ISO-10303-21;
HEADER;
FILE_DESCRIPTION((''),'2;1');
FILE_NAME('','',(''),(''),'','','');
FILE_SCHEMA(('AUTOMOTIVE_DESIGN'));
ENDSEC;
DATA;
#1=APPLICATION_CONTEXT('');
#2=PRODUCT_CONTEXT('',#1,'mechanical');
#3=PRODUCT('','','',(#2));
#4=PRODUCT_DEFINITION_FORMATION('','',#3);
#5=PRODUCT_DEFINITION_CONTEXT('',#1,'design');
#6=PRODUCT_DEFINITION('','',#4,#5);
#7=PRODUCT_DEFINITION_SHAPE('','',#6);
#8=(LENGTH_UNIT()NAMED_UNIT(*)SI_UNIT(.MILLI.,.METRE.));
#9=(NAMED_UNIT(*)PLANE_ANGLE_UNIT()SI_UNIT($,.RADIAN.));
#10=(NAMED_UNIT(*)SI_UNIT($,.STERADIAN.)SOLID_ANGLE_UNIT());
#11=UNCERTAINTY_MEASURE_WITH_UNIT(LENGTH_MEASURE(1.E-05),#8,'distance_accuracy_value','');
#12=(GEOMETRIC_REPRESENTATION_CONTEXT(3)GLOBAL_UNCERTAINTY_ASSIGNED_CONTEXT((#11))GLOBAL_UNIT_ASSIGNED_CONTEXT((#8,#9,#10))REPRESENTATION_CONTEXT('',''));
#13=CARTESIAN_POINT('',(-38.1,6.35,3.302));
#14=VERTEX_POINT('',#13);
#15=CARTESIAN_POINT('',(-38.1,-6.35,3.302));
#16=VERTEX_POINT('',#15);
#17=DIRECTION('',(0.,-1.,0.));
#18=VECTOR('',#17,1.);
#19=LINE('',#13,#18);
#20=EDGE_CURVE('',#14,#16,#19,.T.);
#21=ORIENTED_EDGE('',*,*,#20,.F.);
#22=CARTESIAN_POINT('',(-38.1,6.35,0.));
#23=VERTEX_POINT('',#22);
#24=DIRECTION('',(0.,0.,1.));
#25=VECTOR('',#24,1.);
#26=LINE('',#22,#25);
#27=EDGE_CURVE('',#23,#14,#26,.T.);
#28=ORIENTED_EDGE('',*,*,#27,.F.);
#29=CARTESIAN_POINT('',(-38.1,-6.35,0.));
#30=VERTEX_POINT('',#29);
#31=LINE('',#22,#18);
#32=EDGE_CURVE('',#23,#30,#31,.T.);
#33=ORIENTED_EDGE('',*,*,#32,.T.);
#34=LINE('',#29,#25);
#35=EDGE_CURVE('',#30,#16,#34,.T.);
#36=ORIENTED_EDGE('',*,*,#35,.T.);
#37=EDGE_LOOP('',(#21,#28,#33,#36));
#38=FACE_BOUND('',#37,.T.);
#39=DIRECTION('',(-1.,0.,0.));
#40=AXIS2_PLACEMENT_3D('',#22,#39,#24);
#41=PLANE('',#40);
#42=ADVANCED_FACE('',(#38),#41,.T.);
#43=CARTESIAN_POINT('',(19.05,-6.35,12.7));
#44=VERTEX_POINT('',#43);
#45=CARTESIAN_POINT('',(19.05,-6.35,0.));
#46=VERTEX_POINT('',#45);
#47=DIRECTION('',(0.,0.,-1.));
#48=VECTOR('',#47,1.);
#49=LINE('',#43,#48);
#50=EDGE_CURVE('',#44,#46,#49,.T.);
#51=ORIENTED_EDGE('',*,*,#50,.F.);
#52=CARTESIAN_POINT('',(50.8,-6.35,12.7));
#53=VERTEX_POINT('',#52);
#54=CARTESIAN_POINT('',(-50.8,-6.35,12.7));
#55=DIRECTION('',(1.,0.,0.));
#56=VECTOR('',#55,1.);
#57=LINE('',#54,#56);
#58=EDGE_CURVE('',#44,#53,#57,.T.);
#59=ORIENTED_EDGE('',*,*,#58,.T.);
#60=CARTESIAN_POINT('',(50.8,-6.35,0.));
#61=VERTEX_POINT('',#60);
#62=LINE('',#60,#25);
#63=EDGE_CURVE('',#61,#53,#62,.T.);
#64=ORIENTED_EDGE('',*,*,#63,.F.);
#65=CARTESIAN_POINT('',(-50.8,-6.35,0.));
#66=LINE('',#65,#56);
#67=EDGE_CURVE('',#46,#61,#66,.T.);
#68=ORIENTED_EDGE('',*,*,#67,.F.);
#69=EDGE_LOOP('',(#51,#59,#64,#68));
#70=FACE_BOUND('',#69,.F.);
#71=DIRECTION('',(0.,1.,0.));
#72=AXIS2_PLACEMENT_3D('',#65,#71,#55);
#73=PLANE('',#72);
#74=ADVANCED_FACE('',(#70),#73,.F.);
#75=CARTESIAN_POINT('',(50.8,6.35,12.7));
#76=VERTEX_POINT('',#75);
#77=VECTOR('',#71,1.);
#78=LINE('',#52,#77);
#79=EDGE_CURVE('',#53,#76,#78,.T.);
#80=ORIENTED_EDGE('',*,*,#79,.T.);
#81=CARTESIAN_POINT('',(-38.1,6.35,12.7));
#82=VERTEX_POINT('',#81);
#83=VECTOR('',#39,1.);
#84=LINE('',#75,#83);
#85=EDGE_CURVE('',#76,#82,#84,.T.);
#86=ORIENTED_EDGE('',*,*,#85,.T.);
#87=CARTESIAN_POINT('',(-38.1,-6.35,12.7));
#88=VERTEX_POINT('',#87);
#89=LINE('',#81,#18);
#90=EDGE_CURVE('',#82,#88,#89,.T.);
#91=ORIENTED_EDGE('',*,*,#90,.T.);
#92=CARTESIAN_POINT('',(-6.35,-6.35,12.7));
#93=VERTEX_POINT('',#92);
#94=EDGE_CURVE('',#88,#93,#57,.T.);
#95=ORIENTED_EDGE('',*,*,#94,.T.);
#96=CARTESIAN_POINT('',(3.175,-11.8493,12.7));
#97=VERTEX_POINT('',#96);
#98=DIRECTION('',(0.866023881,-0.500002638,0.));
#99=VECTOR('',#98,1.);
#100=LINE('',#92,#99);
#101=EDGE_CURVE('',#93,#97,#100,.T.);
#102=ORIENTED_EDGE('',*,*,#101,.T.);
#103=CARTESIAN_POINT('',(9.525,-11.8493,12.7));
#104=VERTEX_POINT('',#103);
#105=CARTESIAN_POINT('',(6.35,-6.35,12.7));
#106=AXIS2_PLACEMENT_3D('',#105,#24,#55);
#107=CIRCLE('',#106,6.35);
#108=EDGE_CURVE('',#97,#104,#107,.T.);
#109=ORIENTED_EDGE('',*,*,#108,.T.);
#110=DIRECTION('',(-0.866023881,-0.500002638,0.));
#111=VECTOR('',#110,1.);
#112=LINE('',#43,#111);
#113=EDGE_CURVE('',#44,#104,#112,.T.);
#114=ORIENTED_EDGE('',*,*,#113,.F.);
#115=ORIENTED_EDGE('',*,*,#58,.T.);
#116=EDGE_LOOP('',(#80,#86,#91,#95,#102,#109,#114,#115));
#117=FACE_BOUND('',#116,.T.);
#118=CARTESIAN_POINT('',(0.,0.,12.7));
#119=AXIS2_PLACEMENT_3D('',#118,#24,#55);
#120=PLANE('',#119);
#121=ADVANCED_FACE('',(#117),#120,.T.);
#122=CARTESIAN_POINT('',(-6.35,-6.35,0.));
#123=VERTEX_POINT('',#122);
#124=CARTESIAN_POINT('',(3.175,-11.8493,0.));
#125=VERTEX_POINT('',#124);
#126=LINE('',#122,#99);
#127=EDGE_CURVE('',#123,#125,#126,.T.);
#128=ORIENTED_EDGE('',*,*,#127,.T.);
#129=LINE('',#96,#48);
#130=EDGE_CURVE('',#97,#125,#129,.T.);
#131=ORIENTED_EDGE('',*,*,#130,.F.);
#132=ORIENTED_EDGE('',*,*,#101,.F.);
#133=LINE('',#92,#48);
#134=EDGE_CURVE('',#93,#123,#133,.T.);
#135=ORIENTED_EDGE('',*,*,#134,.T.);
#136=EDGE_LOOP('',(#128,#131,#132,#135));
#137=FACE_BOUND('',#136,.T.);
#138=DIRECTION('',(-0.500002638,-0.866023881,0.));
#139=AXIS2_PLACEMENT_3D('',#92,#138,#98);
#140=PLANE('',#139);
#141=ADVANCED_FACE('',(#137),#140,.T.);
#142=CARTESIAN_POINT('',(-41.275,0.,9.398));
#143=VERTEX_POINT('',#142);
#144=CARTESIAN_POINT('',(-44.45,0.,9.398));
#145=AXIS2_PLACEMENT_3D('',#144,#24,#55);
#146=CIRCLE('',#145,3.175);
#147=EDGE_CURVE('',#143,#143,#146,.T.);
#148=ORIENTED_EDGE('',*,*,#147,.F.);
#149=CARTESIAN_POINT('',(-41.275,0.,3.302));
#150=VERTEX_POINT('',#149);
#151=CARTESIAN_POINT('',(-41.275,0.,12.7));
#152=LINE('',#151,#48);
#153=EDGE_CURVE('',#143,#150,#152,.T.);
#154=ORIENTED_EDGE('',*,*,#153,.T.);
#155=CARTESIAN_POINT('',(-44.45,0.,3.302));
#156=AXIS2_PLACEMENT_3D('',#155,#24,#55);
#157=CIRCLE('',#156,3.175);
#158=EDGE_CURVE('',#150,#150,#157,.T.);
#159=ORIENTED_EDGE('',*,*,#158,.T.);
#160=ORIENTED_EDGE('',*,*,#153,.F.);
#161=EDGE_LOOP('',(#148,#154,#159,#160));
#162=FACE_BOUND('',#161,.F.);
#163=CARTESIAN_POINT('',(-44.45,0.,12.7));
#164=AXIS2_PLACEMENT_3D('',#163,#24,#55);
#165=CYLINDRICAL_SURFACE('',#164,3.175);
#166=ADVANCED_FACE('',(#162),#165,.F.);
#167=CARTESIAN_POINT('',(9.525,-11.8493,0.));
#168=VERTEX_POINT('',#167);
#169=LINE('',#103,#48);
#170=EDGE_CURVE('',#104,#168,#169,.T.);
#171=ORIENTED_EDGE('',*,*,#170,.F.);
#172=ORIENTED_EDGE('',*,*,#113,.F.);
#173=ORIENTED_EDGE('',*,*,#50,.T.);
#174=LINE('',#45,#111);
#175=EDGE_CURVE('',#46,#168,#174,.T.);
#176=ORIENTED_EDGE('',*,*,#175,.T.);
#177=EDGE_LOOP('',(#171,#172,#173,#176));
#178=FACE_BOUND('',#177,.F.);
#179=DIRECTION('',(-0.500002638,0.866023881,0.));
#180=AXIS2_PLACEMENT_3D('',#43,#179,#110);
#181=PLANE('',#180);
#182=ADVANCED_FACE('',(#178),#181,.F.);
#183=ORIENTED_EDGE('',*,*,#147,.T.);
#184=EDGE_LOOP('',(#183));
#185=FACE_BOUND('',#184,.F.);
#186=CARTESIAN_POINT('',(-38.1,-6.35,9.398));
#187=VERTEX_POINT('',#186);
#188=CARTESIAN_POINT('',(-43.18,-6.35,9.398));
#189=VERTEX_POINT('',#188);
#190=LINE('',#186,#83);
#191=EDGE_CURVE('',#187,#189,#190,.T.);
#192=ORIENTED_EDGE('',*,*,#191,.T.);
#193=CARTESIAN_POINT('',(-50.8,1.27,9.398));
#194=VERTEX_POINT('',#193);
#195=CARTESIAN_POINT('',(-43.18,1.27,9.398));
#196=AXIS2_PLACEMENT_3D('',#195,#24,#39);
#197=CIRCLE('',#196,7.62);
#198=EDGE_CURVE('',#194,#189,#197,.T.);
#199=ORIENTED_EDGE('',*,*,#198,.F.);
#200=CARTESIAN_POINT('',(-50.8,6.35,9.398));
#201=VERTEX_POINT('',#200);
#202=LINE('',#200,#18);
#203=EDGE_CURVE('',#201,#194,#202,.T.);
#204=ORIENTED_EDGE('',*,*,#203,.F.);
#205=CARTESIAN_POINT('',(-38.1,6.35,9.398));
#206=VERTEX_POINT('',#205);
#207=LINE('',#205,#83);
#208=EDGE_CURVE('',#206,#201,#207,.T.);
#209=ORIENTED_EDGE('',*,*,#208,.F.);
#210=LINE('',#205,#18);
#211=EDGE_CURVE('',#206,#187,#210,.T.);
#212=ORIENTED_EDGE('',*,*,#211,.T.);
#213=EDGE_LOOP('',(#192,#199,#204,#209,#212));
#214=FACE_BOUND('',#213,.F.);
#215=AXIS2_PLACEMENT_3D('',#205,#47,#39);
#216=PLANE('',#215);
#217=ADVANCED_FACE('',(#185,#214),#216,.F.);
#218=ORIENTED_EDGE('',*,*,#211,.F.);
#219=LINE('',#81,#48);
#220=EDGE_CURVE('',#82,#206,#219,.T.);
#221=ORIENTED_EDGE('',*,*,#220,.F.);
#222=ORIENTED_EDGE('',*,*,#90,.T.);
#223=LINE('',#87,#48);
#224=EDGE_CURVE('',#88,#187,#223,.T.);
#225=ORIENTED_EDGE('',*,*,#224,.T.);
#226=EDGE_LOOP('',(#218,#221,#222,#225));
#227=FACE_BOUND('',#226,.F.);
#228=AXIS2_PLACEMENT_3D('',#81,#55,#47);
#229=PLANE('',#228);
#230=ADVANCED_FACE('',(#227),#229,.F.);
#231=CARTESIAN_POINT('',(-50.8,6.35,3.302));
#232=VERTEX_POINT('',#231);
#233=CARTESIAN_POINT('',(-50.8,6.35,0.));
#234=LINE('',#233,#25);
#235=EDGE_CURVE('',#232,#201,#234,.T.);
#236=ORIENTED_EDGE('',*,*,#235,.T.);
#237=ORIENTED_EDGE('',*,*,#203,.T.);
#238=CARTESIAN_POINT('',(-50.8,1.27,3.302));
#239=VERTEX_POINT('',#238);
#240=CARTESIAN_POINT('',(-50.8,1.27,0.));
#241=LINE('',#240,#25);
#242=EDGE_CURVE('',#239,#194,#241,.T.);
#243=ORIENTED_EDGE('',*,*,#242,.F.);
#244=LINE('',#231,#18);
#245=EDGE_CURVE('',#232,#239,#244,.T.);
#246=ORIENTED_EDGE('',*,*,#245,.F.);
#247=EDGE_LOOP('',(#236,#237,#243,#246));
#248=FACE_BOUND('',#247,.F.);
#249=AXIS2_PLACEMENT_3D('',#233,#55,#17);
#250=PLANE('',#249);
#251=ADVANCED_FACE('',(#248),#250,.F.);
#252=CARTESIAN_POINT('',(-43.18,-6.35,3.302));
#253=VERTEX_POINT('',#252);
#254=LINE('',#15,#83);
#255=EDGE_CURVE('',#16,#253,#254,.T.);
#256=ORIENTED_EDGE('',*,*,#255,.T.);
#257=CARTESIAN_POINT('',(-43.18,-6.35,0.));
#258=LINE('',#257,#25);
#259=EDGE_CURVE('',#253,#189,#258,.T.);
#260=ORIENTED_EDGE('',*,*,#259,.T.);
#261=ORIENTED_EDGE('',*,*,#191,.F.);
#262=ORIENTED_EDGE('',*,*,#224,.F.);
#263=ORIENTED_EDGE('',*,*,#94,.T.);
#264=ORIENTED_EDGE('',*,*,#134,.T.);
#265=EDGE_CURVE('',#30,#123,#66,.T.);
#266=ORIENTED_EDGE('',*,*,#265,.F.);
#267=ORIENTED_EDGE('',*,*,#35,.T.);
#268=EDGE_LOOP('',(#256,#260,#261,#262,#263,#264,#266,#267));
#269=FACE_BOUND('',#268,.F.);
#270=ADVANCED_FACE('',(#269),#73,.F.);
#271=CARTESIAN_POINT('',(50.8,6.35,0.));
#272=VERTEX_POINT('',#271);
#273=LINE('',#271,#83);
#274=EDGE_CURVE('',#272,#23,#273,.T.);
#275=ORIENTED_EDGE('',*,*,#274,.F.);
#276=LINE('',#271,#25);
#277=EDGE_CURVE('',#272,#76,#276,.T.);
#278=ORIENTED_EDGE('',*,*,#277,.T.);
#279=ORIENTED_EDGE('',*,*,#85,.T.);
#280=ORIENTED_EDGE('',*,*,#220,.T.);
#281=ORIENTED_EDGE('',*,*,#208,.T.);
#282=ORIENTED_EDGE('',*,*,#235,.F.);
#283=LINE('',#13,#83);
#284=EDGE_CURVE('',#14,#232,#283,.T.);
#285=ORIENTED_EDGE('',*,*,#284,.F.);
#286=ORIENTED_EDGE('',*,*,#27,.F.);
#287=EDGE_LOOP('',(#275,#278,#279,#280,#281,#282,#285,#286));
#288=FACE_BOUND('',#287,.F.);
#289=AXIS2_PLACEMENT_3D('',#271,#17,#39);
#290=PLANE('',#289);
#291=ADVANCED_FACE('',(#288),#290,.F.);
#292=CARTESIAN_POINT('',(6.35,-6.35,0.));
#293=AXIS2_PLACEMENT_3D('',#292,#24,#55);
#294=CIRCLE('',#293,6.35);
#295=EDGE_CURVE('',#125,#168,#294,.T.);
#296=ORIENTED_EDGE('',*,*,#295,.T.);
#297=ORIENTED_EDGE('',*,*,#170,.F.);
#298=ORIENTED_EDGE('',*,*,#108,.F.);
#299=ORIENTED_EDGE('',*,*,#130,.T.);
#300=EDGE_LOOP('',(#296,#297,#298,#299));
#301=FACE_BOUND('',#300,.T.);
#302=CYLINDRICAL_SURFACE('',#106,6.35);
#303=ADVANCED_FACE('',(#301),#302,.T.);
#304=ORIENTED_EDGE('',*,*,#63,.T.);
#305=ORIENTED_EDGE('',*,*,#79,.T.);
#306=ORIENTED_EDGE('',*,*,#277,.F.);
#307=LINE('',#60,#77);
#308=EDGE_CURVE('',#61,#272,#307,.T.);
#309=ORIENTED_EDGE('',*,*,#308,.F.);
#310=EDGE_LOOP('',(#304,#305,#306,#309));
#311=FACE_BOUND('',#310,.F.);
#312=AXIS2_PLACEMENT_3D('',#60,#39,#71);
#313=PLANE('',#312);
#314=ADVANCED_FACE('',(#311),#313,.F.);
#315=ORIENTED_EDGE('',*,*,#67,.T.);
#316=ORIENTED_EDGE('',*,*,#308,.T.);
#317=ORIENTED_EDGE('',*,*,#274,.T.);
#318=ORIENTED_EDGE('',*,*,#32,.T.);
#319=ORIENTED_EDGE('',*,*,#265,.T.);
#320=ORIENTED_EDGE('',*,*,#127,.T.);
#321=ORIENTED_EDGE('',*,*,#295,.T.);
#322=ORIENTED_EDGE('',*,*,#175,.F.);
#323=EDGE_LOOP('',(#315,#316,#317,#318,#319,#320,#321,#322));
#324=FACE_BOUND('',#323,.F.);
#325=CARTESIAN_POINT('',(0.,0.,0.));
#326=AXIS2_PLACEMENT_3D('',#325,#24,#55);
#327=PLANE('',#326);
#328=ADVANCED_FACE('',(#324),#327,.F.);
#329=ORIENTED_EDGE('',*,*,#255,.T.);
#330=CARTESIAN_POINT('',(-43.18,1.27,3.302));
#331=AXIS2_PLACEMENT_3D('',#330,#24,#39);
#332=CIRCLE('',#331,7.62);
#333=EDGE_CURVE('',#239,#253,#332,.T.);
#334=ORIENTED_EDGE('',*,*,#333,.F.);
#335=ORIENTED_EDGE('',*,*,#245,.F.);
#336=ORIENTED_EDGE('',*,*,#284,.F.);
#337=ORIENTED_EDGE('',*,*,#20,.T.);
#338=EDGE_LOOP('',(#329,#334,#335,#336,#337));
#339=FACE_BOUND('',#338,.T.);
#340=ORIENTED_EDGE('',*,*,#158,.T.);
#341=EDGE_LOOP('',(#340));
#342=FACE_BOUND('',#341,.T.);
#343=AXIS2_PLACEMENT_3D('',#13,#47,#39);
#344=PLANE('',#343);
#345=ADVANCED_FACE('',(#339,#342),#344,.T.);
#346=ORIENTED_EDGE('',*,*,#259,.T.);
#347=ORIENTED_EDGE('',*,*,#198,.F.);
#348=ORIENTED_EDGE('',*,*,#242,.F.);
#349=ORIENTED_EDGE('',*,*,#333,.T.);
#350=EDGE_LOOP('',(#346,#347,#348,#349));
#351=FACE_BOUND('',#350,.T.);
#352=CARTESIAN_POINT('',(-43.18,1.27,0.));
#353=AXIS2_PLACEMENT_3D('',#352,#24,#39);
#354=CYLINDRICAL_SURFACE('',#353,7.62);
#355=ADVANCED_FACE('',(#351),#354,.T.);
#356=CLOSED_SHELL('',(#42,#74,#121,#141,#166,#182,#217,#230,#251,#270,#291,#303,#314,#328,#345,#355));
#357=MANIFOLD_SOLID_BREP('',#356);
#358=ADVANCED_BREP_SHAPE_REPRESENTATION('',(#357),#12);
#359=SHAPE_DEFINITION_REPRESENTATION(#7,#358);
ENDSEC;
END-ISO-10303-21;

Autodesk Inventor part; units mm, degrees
ref_plane "YZ Plane" through (0, 0, 0) normal (1, 0, 0) x (0, 1, 0)
ref_plane "XZ Plane" through (0, 0, 0) normal (0, 1, 0) x (-1, 0, 0)
ref_plane "XY Plane" through (0, 0, 0) normal (0, 0, 1) x (1, 0, 0)
sketch "Sketch1" plane through (0, 0, 0) normal (0, 0, 1) x (1, 0, 0)
  line L0 (-50.8, -6.35) -> (50.8, -6.35)
  line L1 (50.8, -6.35) -> (50.8, 6.35)
  line L2 (50.8, 6.35) -> (-50.8, 6.35)
  line L3 (-50.8, 6.35) -> (-50.8, -6.35)
  line L4 (-50.8, -6.35) -> (50.8, 6.35) construction
  line L5 (50.8, -6.35) -> (-50.8, 6.35) construction
  point P0 (0, 0)
  dimension "d0" = 101.6
  dimension "d1" = 12.7
extrude "Extrusion1" add sketch "Sketch1" along normal blind 12.7
fillet "Fillet1" radius 7.62 1 edges at (-50.8, -6.35, 6.35)
sketch "Sketch2" plane through (0, 0, 12.7) normal (0, 0, 1) x (1, 0, 0)
  circle A0 centre (-44.45, 0) radius 3.175
  line L0 (-50.8, 6.35) -> (-50.8, 1.27) projected
  line L1 (50.8, 6.35) -> (-50.8, 6.35) projected
  point P0 (0, 0)
  dimension "d5" = 6.35
  dimension "d6" = 6.35
  dimension "d7" = 6.35
extrude "Extrusion2" cut sketch "Sketch2" against normal blind 12.7
sketch "Sketch3" plane through (0, 0, 12.7) normal (0, 0, 1) x (1, 0, 0)
  line L0 (-43.18, -6.35) -> (50.8, -6.35) projected
  circle A0 centre (6.35, -6.35) radius 6.35
  line L1 (-6.35, -6.35) -> (3.175, -11.8493)
  line L2 (19.05, -6.35) -> (9.525, -11.8493)
  line L3 (-50.8, 6.35) -> (-50.8, 1.27) projected
  point P0 (0, 0)
  dimension "d10" = 12.7
  dimension "d11" = 12.7
  dimension "d12" = 12.7
  dimension "d15" = 57.15
extrude "Extrusion3" add sketch "Sketch3" against normal blind 12.7 contours A0 L0 | L0 L2 A0 | A0 L1 L0 picked at (4.9799, -8.3631)
sketch "Sketch4" plane through (-50.8, 6.35, 0) normal (0, 1, 0) x (1, 0, 0)
  line L0 (7.62, -12.7) -> (0, -12.7) projected
  line L1 (0, -12.7) -> (12.7, -12.7)
  line L2 (12.7, -12.7) -> (12.7, -9.398)
  line L3 (12.7, -9.398) -> (0, -9.398)
  line L4 (0, -9.398) -> (0, -12.7)
  line L5 (0, 0) -> (12.7, 0)
  line L6 (12.7, 0) -> (12.7, -3.302)
  line L7 (12.7, -3.302) -> (0, -3.302)
  line L8 (0, -3.302) -> (0, 0)
  line L9 (101.6, 0) -> (0, 0) projected
  point P0 (50.8, 0)
  dimension "d16" = 12.7
  dimension "d17" = 3.302
  dimension "d21" = 3.302
extrude "Extrusion4" cut sketch "Sketch4" against normal blind 12.7
properties part number "Press_Upper_Arm"
